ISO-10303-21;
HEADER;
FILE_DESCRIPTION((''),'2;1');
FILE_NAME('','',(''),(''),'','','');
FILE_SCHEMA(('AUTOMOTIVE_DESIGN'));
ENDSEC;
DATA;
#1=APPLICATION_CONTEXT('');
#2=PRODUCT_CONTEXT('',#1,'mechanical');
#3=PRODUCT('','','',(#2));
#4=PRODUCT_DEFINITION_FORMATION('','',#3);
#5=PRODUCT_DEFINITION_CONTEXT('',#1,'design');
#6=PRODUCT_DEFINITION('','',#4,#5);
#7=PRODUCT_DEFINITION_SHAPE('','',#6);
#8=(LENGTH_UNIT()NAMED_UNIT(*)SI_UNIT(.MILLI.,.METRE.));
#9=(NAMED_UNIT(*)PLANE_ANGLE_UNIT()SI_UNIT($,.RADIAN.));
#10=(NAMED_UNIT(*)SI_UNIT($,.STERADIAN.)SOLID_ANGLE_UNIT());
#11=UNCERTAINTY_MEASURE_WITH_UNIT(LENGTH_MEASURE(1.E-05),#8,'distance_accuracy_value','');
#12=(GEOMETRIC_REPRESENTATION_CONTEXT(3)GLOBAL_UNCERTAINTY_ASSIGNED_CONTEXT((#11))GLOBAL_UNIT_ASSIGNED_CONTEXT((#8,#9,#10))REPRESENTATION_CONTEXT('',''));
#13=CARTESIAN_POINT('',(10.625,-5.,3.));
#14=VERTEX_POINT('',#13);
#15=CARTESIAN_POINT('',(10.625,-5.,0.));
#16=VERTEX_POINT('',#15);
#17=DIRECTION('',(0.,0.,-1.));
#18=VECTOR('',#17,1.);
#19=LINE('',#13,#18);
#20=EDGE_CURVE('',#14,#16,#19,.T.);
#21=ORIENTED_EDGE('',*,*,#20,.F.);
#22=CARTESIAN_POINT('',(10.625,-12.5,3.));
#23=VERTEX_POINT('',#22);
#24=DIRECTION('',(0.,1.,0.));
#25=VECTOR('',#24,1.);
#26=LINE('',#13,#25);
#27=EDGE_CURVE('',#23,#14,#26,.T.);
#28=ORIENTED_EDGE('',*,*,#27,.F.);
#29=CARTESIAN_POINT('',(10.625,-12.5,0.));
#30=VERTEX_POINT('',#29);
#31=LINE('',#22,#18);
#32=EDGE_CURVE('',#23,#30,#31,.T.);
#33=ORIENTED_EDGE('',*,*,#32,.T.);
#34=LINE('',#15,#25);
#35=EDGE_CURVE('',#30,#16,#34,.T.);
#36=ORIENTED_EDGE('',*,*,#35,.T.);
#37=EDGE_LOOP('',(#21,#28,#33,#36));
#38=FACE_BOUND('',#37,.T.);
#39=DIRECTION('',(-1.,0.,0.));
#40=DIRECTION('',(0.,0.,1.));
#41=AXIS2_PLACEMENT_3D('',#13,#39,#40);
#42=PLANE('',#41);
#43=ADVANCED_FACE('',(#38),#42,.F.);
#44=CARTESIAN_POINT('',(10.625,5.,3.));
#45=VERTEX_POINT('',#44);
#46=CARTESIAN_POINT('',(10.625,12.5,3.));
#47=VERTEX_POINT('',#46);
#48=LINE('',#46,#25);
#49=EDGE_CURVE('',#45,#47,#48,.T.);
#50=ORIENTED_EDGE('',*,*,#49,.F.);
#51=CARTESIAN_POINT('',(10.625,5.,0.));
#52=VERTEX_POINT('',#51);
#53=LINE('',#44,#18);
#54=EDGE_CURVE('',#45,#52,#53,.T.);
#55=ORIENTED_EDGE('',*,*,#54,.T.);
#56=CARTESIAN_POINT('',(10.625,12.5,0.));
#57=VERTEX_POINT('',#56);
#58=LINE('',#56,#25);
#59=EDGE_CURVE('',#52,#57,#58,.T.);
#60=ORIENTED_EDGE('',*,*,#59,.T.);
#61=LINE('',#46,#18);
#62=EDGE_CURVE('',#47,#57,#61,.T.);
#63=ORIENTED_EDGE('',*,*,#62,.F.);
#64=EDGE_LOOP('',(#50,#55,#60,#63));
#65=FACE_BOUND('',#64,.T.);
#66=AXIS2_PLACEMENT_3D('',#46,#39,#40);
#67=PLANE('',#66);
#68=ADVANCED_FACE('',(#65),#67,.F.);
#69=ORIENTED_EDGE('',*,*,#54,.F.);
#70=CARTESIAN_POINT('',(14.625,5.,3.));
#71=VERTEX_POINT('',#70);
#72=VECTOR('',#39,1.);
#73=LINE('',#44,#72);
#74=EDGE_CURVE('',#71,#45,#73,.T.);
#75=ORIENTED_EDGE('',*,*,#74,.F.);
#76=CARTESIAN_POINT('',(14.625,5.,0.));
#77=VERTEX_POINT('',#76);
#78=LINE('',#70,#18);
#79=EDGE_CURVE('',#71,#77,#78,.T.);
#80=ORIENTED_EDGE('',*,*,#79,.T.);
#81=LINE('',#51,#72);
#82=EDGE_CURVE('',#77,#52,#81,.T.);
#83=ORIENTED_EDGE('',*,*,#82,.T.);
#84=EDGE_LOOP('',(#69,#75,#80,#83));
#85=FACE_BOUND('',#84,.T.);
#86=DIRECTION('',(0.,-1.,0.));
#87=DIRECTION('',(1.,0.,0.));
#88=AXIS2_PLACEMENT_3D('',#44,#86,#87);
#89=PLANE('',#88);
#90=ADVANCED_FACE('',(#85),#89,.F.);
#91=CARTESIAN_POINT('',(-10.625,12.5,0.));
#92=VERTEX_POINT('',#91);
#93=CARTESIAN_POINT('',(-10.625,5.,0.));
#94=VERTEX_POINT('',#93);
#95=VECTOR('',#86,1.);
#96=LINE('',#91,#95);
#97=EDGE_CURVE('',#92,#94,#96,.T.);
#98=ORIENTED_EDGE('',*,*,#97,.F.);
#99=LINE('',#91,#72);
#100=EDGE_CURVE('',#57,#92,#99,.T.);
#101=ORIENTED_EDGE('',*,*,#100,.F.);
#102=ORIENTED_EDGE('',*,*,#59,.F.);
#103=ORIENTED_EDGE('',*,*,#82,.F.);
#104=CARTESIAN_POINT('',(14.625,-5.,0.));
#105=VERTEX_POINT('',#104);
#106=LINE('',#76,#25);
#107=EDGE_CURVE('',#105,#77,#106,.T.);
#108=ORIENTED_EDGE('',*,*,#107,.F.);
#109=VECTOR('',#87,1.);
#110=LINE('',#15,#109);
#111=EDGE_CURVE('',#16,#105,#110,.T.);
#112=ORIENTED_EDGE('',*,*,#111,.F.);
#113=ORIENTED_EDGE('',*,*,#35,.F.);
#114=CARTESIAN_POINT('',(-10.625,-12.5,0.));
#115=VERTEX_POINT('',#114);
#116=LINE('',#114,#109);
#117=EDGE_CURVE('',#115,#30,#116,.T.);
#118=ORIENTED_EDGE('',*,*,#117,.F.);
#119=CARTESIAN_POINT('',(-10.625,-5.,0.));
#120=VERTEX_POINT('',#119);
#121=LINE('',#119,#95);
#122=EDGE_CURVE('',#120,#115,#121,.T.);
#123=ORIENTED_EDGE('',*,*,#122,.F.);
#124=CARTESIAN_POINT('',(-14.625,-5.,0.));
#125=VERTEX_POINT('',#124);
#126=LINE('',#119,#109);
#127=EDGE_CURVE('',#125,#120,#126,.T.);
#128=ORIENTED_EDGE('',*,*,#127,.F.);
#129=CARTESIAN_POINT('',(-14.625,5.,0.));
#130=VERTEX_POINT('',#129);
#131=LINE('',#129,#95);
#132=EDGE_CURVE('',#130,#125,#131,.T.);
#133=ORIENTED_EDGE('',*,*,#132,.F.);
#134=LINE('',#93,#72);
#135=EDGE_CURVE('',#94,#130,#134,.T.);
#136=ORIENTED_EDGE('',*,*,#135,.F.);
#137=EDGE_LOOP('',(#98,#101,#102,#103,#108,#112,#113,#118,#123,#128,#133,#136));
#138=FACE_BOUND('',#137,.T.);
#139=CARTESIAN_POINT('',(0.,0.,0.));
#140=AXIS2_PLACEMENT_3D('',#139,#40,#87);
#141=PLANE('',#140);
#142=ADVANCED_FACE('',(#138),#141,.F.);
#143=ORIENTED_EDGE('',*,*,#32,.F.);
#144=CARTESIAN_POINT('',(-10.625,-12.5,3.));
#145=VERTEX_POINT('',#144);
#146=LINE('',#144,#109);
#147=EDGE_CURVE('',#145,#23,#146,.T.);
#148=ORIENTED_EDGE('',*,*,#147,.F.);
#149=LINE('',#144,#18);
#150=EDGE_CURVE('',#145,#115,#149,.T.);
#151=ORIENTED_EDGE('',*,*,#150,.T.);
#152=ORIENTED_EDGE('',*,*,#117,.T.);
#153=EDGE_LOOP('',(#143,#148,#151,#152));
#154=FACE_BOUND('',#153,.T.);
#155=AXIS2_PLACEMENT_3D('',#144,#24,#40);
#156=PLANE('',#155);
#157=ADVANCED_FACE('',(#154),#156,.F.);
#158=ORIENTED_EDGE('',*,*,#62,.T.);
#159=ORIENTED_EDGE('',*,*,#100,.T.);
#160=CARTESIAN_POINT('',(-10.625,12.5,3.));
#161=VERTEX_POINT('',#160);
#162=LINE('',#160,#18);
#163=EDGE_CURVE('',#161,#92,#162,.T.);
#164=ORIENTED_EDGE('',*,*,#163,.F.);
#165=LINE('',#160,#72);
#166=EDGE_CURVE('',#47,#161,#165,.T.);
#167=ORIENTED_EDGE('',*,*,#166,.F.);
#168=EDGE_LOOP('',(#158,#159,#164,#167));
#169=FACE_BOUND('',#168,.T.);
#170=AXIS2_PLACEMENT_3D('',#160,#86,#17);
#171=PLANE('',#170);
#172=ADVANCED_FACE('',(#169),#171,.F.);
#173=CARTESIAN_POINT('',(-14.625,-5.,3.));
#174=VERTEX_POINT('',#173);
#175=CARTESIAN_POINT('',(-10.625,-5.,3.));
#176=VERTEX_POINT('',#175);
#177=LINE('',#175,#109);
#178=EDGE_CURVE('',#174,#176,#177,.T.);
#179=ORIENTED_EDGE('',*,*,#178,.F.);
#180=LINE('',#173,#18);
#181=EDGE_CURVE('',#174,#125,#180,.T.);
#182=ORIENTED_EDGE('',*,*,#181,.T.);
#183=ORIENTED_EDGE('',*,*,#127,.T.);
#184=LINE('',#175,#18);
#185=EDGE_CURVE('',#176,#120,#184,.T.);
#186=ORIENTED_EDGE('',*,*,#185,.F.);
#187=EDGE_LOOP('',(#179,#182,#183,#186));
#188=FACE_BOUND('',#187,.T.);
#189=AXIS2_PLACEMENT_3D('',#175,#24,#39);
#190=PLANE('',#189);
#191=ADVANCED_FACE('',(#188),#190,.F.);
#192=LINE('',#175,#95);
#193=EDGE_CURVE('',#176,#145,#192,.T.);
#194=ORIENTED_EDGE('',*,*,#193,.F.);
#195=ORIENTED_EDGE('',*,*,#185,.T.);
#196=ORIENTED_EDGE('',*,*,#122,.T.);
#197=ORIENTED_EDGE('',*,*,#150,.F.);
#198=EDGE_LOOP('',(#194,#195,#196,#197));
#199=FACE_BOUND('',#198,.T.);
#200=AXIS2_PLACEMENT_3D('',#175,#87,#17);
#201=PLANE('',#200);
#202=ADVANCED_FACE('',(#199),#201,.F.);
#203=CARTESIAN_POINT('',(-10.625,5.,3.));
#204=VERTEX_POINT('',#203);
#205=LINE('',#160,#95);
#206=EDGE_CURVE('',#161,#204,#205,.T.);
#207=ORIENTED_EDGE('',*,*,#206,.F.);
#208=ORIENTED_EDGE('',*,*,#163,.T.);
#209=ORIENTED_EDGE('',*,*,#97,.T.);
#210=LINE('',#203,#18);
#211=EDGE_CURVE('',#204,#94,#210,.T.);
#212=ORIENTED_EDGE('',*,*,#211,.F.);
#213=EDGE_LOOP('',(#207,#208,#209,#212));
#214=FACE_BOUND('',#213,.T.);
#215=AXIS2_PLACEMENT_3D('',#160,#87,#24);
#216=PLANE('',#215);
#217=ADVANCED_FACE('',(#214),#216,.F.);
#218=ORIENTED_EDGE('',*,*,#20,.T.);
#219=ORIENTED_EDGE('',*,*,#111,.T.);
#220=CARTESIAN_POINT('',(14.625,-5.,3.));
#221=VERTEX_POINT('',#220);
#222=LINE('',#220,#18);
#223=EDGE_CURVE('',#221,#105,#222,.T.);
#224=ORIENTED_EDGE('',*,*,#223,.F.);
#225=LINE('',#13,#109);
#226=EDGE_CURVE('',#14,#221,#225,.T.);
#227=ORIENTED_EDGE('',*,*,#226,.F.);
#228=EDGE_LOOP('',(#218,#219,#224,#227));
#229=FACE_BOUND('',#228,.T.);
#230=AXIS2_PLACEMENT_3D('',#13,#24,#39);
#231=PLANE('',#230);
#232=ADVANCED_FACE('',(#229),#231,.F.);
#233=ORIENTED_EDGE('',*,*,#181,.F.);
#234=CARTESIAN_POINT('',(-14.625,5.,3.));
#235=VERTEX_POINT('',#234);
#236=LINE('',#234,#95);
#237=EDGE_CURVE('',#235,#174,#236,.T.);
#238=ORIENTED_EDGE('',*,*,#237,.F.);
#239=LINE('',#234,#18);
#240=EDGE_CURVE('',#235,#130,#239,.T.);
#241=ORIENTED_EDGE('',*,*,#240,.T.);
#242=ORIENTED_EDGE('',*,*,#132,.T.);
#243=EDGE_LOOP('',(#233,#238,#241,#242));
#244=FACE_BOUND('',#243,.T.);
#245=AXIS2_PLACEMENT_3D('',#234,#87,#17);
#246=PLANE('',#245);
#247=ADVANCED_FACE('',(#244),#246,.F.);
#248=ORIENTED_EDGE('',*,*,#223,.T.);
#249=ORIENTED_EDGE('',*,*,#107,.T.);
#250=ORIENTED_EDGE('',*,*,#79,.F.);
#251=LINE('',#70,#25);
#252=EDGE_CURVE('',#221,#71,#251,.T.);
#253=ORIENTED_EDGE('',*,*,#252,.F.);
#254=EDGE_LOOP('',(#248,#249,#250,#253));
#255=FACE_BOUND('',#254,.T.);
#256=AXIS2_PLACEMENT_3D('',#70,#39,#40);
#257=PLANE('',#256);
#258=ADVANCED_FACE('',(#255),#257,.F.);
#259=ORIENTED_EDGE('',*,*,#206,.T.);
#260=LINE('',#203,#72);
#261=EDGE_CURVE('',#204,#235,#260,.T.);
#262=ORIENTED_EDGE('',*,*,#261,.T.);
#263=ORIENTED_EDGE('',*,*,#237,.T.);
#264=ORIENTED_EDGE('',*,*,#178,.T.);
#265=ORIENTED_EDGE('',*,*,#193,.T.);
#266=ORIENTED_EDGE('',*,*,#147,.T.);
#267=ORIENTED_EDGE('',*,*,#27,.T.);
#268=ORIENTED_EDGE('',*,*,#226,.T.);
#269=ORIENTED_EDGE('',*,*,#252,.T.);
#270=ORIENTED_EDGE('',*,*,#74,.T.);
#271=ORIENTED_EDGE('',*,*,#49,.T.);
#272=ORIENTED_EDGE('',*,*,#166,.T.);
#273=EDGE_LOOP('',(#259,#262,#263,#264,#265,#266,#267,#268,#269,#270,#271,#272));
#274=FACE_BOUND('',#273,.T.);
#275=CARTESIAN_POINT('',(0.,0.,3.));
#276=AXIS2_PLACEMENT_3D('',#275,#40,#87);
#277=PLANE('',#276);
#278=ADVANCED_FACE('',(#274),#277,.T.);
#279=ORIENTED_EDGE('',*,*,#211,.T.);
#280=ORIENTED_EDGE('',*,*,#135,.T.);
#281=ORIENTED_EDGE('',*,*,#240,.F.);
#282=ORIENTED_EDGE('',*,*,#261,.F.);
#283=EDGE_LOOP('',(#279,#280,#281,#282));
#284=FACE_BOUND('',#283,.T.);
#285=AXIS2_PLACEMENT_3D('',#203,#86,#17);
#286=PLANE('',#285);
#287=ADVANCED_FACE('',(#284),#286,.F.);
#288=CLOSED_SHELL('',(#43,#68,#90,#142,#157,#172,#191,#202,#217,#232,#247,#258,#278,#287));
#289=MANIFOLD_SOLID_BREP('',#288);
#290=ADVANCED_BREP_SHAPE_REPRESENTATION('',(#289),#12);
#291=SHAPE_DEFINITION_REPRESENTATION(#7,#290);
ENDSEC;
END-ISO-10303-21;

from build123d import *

# Parameters (mm, degrees)
SALIENTE_EXTRUIR1_DEPTH = 3


with BuildPart() as part:
    # Croquis1 → Saliente-Extruir1 (new body)
    with BuildSketch(Plane.XY):
        Polygon((-10.625, 12.5), (10.625, 12.5), (10.625, 5), (14.625, 5), (14.625, -5), (10.625, -5), (10.625, -12.5), (-10.625, -12.5), (-10.625, -5), (-14.625, -5), (-14.625, 5), (-10.625, 5), align=None)
    extrude(amount=SALIENTE_EXTRUIR1_DEPTH)


solid = part.part
